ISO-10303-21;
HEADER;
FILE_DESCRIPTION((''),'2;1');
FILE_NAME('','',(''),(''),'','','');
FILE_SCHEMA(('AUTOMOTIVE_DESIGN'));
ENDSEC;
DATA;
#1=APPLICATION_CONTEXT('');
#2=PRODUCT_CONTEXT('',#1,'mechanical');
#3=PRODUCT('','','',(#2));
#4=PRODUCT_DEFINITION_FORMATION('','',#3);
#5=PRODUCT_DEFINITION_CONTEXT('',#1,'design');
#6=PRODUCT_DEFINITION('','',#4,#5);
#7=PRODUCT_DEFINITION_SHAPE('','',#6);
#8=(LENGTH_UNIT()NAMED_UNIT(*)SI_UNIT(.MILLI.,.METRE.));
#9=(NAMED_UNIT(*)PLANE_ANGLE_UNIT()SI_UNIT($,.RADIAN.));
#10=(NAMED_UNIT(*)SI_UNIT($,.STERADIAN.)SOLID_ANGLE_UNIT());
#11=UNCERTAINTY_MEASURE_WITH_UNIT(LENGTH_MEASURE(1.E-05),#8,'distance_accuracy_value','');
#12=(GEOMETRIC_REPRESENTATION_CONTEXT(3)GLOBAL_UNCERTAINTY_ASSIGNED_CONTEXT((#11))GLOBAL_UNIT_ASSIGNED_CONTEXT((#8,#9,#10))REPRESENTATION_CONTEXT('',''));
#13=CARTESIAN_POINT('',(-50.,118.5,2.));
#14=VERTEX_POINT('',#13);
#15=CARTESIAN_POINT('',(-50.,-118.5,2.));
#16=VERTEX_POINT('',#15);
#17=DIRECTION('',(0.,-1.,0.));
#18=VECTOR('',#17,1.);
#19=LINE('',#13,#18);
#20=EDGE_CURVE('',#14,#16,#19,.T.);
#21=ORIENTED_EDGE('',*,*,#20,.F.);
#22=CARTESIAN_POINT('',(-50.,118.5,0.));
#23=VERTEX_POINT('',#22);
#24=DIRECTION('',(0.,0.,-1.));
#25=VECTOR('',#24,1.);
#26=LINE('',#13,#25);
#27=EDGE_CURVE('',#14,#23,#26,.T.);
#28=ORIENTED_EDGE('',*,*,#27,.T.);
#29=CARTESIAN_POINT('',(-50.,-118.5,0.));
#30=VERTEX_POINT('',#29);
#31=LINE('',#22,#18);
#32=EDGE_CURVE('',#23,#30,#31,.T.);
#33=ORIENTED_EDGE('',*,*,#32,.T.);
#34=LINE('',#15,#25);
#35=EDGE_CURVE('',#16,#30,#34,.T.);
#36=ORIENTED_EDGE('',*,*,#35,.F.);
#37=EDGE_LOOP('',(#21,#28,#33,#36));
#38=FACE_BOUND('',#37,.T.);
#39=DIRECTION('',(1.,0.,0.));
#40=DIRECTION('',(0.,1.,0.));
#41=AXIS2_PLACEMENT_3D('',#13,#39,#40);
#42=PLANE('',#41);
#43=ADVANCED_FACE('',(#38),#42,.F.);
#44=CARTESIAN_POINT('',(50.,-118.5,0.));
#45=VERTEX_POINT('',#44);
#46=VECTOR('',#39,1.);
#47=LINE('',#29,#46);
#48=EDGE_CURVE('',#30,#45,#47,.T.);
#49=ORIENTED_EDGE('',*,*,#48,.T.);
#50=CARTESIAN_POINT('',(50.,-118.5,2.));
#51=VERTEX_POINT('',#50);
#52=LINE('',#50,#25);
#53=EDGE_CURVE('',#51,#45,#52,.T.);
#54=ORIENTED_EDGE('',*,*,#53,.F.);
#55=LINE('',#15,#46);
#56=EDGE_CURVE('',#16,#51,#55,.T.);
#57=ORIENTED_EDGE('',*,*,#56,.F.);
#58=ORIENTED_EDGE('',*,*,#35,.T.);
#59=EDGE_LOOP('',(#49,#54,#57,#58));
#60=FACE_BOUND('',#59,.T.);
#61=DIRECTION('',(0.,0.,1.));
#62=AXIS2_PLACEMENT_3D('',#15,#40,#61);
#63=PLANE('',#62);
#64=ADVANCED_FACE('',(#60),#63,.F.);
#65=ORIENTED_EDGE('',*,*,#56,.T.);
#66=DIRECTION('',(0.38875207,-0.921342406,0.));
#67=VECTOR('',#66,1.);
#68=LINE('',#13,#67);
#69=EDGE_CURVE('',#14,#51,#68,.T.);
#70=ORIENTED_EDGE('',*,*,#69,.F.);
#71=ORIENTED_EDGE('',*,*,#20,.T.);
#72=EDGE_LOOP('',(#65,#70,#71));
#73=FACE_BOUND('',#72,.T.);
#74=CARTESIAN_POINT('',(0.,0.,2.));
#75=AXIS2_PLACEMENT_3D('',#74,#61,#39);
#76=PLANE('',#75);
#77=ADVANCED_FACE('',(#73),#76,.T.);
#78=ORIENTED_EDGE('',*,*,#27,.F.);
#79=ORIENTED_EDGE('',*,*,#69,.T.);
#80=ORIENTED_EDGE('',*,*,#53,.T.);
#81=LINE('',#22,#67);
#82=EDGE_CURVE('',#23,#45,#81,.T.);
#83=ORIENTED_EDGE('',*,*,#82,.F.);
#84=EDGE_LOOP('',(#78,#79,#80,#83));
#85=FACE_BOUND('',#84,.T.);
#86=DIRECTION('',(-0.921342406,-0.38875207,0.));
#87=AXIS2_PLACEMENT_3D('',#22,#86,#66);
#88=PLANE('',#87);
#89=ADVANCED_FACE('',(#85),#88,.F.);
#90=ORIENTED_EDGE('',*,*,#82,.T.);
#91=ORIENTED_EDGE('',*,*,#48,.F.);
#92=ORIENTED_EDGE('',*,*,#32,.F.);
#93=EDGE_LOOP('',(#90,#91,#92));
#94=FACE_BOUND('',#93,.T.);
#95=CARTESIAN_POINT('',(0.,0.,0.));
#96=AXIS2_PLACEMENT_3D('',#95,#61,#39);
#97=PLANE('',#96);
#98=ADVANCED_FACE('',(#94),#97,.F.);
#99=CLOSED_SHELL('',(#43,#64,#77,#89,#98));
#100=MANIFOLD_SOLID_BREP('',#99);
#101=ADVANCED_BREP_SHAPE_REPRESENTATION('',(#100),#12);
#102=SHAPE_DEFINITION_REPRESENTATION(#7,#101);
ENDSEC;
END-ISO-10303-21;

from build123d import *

# Parameters (mm, degrees)
SKETCH1_W           = 100
SKETCH1_H           = 237
BOSS_EXTRUDE1_DEPTH = 2
CUT_EXTRUDE1_DEPTH  = 3


with BuildPart() as part:
    # Sketch1 → Boss-Extrude1 (new body)
    with BuildSketch(Plane.XY):
        Rectangle(SKETCH1_W, SKETCH1_H)
    extrude(amount=BOSS_EXTRUDE1_DEPTH)

    # Sketch2 → Cut-Extrude1 (cut, through all)
    with BuildSketch(Plane.XY.offset(2)):
        Polygon((-50, 118.5), (50, -118.5), (87.001497682, 120.954679305), align=None)
    extrude(amount=-CUT_EXTRUDE1_DEPTH, mode=Mode.SUBTRACT)


solid = part.part
